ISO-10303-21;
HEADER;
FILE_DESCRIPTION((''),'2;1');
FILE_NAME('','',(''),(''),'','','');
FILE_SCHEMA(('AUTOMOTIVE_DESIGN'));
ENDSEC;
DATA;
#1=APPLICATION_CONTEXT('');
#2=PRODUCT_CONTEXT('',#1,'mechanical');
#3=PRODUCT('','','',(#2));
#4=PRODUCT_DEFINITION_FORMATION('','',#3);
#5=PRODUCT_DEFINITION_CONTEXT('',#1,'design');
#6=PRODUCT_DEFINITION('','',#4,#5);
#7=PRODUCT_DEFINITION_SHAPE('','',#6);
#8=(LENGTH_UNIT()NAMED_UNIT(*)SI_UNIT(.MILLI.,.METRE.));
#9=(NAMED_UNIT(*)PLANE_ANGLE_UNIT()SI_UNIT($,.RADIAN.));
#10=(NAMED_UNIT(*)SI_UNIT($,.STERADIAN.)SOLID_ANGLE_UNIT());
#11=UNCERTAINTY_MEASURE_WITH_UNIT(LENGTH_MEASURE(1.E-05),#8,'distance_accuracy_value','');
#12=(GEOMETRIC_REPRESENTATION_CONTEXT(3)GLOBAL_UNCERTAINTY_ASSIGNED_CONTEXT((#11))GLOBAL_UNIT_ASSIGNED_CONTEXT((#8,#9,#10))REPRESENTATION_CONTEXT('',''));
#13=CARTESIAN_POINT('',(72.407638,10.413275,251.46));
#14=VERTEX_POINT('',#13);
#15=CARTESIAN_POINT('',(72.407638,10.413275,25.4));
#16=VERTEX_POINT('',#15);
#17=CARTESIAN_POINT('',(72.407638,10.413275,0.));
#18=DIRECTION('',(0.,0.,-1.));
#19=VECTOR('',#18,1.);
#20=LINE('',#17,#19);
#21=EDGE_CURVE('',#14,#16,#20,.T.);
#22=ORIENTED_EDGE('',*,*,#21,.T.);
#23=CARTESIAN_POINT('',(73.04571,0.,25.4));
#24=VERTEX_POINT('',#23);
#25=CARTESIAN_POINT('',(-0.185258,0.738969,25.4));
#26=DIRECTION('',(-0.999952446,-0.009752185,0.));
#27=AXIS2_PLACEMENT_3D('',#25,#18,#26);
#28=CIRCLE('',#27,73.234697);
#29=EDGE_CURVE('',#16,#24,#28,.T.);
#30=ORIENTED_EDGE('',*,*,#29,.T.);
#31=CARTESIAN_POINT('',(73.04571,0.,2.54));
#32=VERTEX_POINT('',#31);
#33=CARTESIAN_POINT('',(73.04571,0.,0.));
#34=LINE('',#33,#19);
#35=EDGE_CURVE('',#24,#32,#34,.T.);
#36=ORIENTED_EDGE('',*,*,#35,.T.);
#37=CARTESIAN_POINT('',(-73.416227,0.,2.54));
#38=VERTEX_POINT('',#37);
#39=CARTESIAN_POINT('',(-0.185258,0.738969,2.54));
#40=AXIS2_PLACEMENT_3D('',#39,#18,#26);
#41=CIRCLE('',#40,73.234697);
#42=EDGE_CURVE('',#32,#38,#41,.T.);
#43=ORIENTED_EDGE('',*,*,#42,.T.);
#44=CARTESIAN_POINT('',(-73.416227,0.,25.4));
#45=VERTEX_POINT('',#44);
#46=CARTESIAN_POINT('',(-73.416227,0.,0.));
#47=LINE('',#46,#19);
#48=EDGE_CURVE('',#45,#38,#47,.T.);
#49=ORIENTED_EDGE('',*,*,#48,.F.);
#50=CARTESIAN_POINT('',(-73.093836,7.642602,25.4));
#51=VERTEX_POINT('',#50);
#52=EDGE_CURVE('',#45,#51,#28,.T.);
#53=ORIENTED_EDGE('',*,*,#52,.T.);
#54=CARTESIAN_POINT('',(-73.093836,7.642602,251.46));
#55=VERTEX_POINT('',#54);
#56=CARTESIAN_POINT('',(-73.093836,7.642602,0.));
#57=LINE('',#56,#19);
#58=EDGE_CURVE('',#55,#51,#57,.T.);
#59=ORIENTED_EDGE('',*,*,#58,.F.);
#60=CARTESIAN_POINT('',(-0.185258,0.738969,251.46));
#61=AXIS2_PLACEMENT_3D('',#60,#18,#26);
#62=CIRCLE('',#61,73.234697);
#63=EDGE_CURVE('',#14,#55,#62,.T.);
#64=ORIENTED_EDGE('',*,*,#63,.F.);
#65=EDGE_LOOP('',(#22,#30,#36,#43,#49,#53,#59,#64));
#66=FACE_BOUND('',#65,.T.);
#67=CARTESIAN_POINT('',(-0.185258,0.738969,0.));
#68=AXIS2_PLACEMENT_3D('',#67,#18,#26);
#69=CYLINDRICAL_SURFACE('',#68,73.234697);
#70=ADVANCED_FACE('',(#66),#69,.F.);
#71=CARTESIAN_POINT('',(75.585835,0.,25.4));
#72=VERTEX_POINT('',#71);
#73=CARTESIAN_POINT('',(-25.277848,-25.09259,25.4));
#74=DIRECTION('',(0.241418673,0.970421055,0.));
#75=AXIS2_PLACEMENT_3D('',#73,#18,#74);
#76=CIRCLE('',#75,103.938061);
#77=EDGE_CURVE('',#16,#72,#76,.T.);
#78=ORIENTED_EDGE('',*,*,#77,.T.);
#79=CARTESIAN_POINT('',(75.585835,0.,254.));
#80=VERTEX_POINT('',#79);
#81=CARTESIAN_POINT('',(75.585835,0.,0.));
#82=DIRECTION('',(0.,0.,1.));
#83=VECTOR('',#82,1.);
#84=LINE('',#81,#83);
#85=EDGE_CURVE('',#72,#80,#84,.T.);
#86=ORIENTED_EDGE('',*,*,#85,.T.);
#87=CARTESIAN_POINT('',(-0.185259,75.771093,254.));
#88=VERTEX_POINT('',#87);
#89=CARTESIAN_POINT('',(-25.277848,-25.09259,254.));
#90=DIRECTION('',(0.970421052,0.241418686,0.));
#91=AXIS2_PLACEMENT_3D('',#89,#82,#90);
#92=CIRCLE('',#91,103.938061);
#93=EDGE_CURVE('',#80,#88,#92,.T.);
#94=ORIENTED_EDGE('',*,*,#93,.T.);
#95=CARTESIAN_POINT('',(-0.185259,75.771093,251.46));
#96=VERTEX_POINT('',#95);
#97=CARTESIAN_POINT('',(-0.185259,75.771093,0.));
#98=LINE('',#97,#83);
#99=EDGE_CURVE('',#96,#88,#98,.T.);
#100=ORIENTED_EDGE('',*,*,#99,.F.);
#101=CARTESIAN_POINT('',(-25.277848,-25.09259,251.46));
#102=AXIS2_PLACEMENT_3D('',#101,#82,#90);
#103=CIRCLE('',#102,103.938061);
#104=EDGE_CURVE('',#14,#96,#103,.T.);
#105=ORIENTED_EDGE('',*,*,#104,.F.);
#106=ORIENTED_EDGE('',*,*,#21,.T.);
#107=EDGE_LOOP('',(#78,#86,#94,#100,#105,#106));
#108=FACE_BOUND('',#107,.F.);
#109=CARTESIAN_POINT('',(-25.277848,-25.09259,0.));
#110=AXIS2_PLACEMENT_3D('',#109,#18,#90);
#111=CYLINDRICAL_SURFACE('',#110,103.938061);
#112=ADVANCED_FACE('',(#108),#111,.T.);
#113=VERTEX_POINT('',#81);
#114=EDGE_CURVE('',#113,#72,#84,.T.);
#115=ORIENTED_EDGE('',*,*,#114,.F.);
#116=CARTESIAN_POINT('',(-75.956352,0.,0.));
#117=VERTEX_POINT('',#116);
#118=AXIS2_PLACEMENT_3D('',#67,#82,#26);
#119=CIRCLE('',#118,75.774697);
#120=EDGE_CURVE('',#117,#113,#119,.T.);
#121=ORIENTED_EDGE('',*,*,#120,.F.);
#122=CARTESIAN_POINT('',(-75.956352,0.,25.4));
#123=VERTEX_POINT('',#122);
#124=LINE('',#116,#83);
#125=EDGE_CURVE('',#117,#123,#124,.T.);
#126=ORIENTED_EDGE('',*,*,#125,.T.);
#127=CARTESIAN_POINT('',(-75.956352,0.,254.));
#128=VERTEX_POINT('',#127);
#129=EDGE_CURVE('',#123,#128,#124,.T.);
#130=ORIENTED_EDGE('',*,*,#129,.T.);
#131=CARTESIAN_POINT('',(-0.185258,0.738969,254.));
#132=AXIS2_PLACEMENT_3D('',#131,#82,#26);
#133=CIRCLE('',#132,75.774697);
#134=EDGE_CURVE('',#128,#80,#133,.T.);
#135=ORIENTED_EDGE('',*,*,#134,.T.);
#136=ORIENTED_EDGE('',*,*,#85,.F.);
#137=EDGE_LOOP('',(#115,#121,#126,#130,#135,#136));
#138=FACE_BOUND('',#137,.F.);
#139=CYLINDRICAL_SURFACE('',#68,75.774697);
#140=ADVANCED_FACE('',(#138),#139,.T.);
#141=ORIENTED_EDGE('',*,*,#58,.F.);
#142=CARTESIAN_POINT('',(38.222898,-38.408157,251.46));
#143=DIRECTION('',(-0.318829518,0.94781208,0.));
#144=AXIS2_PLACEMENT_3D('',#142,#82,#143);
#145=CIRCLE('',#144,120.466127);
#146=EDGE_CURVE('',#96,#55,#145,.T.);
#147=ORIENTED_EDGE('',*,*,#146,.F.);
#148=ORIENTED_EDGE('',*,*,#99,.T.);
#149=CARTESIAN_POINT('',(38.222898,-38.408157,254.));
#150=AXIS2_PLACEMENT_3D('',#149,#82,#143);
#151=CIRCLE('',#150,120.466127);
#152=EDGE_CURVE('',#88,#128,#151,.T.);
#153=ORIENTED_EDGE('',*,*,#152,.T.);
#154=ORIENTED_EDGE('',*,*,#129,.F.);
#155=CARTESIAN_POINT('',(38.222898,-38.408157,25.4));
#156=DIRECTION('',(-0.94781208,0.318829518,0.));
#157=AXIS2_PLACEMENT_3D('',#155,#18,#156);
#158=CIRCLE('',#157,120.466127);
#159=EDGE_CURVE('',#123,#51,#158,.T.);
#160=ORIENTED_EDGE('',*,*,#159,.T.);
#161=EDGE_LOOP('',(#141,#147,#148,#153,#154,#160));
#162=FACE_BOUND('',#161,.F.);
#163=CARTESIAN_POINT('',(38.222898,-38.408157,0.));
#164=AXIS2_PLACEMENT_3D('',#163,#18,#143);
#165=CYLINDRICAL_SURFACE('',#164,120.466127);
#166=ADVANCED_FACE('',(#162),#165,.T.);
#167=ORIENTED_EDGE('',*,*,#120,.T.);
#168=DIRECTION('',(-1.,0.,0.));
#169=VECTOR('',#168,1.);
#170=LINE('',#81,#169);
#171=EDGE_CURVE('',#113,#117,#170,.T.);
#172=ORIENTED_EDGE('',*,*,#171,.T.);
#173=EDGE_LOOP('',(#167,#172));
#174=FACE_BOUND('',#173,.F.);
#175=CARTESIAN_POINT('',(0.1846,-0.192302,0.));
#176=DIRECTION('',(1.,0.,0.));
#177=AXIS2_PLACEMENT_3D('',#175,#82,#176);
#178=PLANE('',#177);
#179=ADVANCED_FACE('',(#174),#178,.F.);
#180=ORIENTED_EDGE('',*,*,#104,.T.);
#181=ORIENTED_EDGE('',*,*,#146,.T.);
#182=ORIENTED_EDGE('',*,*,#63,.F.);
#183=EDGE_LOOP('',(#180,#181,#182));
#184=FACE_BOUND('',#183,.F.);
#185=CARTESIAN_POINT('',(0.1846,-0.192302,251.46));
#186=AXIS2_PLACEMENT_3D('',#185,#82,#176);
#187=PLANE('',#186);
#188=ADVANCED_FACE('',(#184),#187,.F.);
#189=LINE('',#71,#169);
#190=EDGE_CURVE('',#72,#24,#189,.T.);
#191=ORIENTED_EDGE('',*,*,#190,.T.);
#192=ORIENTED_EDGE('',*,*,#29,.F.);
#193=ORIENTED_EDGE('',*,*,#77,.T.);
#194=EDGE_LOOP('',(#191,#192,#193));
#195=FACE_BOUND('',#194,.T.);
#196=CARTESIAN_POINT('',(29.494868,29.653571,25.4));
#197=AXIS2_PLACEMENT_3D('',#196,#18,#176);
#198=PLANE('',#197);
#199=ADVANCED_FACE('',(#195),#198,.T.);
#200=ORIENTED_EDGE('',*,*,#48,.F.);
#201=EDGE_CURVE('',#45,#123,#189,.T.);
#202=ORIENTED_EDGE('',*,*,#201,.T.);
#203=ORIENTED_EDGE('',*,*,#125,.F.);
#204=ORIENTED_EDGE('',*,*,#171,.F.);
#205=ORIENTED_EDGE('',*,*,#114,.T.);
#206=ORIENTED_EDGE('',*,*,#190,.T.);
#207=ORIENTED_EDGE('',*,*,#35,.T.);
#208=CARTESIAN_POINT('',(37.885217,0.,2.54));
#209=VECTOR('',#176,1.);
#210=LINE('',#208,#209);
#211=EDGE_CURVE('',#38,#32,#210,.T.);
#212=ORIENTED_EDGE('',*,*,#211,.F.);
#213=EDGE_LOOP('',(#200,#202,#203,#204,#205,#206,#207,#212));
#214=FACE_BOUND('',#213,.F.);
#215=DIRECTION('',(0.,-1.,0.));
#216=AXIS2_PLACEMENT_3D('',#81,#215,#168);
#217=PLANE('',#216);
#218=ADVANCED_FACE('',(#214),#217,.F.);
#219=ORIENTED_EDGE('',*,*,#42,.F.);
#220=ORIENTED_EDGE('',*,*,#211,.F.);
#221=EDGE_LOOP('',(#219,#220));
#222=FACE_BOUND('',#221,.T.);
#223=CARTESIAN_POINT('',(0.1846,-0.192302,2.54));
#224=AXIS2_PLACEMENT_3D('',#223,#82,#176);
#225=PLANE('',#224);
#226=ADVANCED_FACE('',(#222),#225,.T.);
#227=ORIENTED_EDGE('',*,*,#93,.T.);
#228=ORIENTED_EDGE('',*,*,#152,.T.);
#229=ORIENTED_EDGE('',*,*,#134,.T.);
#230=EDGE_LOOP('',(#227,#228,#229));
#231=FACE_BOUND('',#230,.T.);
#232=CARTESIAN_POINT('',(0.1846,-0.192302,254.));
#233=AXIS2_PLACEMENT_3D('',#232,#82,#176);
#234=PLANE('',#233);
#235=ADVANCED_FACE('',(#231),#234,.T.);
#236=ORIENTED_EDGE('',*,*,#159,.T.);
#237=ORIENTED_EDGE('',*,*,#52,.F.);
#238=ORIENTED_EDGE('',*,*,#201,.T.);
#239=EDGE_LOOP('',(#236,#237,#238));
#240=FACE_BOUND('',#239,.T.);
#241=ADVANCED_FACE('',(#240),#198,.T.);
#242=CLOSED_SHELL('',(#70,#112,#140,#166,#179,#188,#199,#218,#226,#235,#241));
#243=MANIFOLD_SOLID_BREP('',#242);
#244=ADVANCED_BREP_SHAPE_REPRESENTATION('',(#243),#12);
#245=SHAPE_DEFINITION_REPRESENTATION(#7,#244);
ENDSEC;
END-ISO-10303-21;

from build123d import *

# Parameters (mm, degrees)
F1_DEPTH = 254
F2_T     = -2.54
F4_DEPTH = 25.4


with BuildPart() as f1:
    # F0 (on Top) → F1 (new body)
    with BuildSketch(Plane.XY):
        with BuildLine():
            ThreePointArc((-0.185259, 75.771093), (-46.959517, 46.774258), (-75.956352, 0))
            ThreePointArc((-75.956352, 0), (-0.185259, -75.035728), (75.585835, 0))
            ThreePointArc((75.585835, 0), (48.21746, 48.402718), (-0.185259, 75.771093))
        make_face()
    extrude(amount=F1_DEPTH)

    # F2
    f2_openings = [f1.faces().sort_by_distance(p)[0] for p in [
        (-46.959517, 46.774258, 127),
        (48.21746, 48.402718, 127),
    ]]
    offset(amount=F2_T, openings=f2_openings)

    # F3 (on face) → F4 (cut)
    with BuildSketch(Plane(origin=(0, 0, 0), x_dir=(1, 0, 0), z_dir=(0, 0, -1))):
        with BuildLine():
            ThreePointArc((-0.185259, -75.771093), (48.21746, -48.402718), (75.585835, 0))
            Line((75.585835, 0), (0, 0))
            Line((0, 0), (-0.185259, -75.771093))
        make_face()
        with BuildLine():
            Line((-0.185259, -75.771093), (0, 0))
            Line((0, 0), (-75.956352, 0))
            ThreePointArc((-75.956352, 0), (-46.959517, -46.774258), (-0.185259, -75.771093))
        make_face()
    extrude(amount=-F4_DEPTH, mode=Mode.SUBTRACT)


solid = f1.part
